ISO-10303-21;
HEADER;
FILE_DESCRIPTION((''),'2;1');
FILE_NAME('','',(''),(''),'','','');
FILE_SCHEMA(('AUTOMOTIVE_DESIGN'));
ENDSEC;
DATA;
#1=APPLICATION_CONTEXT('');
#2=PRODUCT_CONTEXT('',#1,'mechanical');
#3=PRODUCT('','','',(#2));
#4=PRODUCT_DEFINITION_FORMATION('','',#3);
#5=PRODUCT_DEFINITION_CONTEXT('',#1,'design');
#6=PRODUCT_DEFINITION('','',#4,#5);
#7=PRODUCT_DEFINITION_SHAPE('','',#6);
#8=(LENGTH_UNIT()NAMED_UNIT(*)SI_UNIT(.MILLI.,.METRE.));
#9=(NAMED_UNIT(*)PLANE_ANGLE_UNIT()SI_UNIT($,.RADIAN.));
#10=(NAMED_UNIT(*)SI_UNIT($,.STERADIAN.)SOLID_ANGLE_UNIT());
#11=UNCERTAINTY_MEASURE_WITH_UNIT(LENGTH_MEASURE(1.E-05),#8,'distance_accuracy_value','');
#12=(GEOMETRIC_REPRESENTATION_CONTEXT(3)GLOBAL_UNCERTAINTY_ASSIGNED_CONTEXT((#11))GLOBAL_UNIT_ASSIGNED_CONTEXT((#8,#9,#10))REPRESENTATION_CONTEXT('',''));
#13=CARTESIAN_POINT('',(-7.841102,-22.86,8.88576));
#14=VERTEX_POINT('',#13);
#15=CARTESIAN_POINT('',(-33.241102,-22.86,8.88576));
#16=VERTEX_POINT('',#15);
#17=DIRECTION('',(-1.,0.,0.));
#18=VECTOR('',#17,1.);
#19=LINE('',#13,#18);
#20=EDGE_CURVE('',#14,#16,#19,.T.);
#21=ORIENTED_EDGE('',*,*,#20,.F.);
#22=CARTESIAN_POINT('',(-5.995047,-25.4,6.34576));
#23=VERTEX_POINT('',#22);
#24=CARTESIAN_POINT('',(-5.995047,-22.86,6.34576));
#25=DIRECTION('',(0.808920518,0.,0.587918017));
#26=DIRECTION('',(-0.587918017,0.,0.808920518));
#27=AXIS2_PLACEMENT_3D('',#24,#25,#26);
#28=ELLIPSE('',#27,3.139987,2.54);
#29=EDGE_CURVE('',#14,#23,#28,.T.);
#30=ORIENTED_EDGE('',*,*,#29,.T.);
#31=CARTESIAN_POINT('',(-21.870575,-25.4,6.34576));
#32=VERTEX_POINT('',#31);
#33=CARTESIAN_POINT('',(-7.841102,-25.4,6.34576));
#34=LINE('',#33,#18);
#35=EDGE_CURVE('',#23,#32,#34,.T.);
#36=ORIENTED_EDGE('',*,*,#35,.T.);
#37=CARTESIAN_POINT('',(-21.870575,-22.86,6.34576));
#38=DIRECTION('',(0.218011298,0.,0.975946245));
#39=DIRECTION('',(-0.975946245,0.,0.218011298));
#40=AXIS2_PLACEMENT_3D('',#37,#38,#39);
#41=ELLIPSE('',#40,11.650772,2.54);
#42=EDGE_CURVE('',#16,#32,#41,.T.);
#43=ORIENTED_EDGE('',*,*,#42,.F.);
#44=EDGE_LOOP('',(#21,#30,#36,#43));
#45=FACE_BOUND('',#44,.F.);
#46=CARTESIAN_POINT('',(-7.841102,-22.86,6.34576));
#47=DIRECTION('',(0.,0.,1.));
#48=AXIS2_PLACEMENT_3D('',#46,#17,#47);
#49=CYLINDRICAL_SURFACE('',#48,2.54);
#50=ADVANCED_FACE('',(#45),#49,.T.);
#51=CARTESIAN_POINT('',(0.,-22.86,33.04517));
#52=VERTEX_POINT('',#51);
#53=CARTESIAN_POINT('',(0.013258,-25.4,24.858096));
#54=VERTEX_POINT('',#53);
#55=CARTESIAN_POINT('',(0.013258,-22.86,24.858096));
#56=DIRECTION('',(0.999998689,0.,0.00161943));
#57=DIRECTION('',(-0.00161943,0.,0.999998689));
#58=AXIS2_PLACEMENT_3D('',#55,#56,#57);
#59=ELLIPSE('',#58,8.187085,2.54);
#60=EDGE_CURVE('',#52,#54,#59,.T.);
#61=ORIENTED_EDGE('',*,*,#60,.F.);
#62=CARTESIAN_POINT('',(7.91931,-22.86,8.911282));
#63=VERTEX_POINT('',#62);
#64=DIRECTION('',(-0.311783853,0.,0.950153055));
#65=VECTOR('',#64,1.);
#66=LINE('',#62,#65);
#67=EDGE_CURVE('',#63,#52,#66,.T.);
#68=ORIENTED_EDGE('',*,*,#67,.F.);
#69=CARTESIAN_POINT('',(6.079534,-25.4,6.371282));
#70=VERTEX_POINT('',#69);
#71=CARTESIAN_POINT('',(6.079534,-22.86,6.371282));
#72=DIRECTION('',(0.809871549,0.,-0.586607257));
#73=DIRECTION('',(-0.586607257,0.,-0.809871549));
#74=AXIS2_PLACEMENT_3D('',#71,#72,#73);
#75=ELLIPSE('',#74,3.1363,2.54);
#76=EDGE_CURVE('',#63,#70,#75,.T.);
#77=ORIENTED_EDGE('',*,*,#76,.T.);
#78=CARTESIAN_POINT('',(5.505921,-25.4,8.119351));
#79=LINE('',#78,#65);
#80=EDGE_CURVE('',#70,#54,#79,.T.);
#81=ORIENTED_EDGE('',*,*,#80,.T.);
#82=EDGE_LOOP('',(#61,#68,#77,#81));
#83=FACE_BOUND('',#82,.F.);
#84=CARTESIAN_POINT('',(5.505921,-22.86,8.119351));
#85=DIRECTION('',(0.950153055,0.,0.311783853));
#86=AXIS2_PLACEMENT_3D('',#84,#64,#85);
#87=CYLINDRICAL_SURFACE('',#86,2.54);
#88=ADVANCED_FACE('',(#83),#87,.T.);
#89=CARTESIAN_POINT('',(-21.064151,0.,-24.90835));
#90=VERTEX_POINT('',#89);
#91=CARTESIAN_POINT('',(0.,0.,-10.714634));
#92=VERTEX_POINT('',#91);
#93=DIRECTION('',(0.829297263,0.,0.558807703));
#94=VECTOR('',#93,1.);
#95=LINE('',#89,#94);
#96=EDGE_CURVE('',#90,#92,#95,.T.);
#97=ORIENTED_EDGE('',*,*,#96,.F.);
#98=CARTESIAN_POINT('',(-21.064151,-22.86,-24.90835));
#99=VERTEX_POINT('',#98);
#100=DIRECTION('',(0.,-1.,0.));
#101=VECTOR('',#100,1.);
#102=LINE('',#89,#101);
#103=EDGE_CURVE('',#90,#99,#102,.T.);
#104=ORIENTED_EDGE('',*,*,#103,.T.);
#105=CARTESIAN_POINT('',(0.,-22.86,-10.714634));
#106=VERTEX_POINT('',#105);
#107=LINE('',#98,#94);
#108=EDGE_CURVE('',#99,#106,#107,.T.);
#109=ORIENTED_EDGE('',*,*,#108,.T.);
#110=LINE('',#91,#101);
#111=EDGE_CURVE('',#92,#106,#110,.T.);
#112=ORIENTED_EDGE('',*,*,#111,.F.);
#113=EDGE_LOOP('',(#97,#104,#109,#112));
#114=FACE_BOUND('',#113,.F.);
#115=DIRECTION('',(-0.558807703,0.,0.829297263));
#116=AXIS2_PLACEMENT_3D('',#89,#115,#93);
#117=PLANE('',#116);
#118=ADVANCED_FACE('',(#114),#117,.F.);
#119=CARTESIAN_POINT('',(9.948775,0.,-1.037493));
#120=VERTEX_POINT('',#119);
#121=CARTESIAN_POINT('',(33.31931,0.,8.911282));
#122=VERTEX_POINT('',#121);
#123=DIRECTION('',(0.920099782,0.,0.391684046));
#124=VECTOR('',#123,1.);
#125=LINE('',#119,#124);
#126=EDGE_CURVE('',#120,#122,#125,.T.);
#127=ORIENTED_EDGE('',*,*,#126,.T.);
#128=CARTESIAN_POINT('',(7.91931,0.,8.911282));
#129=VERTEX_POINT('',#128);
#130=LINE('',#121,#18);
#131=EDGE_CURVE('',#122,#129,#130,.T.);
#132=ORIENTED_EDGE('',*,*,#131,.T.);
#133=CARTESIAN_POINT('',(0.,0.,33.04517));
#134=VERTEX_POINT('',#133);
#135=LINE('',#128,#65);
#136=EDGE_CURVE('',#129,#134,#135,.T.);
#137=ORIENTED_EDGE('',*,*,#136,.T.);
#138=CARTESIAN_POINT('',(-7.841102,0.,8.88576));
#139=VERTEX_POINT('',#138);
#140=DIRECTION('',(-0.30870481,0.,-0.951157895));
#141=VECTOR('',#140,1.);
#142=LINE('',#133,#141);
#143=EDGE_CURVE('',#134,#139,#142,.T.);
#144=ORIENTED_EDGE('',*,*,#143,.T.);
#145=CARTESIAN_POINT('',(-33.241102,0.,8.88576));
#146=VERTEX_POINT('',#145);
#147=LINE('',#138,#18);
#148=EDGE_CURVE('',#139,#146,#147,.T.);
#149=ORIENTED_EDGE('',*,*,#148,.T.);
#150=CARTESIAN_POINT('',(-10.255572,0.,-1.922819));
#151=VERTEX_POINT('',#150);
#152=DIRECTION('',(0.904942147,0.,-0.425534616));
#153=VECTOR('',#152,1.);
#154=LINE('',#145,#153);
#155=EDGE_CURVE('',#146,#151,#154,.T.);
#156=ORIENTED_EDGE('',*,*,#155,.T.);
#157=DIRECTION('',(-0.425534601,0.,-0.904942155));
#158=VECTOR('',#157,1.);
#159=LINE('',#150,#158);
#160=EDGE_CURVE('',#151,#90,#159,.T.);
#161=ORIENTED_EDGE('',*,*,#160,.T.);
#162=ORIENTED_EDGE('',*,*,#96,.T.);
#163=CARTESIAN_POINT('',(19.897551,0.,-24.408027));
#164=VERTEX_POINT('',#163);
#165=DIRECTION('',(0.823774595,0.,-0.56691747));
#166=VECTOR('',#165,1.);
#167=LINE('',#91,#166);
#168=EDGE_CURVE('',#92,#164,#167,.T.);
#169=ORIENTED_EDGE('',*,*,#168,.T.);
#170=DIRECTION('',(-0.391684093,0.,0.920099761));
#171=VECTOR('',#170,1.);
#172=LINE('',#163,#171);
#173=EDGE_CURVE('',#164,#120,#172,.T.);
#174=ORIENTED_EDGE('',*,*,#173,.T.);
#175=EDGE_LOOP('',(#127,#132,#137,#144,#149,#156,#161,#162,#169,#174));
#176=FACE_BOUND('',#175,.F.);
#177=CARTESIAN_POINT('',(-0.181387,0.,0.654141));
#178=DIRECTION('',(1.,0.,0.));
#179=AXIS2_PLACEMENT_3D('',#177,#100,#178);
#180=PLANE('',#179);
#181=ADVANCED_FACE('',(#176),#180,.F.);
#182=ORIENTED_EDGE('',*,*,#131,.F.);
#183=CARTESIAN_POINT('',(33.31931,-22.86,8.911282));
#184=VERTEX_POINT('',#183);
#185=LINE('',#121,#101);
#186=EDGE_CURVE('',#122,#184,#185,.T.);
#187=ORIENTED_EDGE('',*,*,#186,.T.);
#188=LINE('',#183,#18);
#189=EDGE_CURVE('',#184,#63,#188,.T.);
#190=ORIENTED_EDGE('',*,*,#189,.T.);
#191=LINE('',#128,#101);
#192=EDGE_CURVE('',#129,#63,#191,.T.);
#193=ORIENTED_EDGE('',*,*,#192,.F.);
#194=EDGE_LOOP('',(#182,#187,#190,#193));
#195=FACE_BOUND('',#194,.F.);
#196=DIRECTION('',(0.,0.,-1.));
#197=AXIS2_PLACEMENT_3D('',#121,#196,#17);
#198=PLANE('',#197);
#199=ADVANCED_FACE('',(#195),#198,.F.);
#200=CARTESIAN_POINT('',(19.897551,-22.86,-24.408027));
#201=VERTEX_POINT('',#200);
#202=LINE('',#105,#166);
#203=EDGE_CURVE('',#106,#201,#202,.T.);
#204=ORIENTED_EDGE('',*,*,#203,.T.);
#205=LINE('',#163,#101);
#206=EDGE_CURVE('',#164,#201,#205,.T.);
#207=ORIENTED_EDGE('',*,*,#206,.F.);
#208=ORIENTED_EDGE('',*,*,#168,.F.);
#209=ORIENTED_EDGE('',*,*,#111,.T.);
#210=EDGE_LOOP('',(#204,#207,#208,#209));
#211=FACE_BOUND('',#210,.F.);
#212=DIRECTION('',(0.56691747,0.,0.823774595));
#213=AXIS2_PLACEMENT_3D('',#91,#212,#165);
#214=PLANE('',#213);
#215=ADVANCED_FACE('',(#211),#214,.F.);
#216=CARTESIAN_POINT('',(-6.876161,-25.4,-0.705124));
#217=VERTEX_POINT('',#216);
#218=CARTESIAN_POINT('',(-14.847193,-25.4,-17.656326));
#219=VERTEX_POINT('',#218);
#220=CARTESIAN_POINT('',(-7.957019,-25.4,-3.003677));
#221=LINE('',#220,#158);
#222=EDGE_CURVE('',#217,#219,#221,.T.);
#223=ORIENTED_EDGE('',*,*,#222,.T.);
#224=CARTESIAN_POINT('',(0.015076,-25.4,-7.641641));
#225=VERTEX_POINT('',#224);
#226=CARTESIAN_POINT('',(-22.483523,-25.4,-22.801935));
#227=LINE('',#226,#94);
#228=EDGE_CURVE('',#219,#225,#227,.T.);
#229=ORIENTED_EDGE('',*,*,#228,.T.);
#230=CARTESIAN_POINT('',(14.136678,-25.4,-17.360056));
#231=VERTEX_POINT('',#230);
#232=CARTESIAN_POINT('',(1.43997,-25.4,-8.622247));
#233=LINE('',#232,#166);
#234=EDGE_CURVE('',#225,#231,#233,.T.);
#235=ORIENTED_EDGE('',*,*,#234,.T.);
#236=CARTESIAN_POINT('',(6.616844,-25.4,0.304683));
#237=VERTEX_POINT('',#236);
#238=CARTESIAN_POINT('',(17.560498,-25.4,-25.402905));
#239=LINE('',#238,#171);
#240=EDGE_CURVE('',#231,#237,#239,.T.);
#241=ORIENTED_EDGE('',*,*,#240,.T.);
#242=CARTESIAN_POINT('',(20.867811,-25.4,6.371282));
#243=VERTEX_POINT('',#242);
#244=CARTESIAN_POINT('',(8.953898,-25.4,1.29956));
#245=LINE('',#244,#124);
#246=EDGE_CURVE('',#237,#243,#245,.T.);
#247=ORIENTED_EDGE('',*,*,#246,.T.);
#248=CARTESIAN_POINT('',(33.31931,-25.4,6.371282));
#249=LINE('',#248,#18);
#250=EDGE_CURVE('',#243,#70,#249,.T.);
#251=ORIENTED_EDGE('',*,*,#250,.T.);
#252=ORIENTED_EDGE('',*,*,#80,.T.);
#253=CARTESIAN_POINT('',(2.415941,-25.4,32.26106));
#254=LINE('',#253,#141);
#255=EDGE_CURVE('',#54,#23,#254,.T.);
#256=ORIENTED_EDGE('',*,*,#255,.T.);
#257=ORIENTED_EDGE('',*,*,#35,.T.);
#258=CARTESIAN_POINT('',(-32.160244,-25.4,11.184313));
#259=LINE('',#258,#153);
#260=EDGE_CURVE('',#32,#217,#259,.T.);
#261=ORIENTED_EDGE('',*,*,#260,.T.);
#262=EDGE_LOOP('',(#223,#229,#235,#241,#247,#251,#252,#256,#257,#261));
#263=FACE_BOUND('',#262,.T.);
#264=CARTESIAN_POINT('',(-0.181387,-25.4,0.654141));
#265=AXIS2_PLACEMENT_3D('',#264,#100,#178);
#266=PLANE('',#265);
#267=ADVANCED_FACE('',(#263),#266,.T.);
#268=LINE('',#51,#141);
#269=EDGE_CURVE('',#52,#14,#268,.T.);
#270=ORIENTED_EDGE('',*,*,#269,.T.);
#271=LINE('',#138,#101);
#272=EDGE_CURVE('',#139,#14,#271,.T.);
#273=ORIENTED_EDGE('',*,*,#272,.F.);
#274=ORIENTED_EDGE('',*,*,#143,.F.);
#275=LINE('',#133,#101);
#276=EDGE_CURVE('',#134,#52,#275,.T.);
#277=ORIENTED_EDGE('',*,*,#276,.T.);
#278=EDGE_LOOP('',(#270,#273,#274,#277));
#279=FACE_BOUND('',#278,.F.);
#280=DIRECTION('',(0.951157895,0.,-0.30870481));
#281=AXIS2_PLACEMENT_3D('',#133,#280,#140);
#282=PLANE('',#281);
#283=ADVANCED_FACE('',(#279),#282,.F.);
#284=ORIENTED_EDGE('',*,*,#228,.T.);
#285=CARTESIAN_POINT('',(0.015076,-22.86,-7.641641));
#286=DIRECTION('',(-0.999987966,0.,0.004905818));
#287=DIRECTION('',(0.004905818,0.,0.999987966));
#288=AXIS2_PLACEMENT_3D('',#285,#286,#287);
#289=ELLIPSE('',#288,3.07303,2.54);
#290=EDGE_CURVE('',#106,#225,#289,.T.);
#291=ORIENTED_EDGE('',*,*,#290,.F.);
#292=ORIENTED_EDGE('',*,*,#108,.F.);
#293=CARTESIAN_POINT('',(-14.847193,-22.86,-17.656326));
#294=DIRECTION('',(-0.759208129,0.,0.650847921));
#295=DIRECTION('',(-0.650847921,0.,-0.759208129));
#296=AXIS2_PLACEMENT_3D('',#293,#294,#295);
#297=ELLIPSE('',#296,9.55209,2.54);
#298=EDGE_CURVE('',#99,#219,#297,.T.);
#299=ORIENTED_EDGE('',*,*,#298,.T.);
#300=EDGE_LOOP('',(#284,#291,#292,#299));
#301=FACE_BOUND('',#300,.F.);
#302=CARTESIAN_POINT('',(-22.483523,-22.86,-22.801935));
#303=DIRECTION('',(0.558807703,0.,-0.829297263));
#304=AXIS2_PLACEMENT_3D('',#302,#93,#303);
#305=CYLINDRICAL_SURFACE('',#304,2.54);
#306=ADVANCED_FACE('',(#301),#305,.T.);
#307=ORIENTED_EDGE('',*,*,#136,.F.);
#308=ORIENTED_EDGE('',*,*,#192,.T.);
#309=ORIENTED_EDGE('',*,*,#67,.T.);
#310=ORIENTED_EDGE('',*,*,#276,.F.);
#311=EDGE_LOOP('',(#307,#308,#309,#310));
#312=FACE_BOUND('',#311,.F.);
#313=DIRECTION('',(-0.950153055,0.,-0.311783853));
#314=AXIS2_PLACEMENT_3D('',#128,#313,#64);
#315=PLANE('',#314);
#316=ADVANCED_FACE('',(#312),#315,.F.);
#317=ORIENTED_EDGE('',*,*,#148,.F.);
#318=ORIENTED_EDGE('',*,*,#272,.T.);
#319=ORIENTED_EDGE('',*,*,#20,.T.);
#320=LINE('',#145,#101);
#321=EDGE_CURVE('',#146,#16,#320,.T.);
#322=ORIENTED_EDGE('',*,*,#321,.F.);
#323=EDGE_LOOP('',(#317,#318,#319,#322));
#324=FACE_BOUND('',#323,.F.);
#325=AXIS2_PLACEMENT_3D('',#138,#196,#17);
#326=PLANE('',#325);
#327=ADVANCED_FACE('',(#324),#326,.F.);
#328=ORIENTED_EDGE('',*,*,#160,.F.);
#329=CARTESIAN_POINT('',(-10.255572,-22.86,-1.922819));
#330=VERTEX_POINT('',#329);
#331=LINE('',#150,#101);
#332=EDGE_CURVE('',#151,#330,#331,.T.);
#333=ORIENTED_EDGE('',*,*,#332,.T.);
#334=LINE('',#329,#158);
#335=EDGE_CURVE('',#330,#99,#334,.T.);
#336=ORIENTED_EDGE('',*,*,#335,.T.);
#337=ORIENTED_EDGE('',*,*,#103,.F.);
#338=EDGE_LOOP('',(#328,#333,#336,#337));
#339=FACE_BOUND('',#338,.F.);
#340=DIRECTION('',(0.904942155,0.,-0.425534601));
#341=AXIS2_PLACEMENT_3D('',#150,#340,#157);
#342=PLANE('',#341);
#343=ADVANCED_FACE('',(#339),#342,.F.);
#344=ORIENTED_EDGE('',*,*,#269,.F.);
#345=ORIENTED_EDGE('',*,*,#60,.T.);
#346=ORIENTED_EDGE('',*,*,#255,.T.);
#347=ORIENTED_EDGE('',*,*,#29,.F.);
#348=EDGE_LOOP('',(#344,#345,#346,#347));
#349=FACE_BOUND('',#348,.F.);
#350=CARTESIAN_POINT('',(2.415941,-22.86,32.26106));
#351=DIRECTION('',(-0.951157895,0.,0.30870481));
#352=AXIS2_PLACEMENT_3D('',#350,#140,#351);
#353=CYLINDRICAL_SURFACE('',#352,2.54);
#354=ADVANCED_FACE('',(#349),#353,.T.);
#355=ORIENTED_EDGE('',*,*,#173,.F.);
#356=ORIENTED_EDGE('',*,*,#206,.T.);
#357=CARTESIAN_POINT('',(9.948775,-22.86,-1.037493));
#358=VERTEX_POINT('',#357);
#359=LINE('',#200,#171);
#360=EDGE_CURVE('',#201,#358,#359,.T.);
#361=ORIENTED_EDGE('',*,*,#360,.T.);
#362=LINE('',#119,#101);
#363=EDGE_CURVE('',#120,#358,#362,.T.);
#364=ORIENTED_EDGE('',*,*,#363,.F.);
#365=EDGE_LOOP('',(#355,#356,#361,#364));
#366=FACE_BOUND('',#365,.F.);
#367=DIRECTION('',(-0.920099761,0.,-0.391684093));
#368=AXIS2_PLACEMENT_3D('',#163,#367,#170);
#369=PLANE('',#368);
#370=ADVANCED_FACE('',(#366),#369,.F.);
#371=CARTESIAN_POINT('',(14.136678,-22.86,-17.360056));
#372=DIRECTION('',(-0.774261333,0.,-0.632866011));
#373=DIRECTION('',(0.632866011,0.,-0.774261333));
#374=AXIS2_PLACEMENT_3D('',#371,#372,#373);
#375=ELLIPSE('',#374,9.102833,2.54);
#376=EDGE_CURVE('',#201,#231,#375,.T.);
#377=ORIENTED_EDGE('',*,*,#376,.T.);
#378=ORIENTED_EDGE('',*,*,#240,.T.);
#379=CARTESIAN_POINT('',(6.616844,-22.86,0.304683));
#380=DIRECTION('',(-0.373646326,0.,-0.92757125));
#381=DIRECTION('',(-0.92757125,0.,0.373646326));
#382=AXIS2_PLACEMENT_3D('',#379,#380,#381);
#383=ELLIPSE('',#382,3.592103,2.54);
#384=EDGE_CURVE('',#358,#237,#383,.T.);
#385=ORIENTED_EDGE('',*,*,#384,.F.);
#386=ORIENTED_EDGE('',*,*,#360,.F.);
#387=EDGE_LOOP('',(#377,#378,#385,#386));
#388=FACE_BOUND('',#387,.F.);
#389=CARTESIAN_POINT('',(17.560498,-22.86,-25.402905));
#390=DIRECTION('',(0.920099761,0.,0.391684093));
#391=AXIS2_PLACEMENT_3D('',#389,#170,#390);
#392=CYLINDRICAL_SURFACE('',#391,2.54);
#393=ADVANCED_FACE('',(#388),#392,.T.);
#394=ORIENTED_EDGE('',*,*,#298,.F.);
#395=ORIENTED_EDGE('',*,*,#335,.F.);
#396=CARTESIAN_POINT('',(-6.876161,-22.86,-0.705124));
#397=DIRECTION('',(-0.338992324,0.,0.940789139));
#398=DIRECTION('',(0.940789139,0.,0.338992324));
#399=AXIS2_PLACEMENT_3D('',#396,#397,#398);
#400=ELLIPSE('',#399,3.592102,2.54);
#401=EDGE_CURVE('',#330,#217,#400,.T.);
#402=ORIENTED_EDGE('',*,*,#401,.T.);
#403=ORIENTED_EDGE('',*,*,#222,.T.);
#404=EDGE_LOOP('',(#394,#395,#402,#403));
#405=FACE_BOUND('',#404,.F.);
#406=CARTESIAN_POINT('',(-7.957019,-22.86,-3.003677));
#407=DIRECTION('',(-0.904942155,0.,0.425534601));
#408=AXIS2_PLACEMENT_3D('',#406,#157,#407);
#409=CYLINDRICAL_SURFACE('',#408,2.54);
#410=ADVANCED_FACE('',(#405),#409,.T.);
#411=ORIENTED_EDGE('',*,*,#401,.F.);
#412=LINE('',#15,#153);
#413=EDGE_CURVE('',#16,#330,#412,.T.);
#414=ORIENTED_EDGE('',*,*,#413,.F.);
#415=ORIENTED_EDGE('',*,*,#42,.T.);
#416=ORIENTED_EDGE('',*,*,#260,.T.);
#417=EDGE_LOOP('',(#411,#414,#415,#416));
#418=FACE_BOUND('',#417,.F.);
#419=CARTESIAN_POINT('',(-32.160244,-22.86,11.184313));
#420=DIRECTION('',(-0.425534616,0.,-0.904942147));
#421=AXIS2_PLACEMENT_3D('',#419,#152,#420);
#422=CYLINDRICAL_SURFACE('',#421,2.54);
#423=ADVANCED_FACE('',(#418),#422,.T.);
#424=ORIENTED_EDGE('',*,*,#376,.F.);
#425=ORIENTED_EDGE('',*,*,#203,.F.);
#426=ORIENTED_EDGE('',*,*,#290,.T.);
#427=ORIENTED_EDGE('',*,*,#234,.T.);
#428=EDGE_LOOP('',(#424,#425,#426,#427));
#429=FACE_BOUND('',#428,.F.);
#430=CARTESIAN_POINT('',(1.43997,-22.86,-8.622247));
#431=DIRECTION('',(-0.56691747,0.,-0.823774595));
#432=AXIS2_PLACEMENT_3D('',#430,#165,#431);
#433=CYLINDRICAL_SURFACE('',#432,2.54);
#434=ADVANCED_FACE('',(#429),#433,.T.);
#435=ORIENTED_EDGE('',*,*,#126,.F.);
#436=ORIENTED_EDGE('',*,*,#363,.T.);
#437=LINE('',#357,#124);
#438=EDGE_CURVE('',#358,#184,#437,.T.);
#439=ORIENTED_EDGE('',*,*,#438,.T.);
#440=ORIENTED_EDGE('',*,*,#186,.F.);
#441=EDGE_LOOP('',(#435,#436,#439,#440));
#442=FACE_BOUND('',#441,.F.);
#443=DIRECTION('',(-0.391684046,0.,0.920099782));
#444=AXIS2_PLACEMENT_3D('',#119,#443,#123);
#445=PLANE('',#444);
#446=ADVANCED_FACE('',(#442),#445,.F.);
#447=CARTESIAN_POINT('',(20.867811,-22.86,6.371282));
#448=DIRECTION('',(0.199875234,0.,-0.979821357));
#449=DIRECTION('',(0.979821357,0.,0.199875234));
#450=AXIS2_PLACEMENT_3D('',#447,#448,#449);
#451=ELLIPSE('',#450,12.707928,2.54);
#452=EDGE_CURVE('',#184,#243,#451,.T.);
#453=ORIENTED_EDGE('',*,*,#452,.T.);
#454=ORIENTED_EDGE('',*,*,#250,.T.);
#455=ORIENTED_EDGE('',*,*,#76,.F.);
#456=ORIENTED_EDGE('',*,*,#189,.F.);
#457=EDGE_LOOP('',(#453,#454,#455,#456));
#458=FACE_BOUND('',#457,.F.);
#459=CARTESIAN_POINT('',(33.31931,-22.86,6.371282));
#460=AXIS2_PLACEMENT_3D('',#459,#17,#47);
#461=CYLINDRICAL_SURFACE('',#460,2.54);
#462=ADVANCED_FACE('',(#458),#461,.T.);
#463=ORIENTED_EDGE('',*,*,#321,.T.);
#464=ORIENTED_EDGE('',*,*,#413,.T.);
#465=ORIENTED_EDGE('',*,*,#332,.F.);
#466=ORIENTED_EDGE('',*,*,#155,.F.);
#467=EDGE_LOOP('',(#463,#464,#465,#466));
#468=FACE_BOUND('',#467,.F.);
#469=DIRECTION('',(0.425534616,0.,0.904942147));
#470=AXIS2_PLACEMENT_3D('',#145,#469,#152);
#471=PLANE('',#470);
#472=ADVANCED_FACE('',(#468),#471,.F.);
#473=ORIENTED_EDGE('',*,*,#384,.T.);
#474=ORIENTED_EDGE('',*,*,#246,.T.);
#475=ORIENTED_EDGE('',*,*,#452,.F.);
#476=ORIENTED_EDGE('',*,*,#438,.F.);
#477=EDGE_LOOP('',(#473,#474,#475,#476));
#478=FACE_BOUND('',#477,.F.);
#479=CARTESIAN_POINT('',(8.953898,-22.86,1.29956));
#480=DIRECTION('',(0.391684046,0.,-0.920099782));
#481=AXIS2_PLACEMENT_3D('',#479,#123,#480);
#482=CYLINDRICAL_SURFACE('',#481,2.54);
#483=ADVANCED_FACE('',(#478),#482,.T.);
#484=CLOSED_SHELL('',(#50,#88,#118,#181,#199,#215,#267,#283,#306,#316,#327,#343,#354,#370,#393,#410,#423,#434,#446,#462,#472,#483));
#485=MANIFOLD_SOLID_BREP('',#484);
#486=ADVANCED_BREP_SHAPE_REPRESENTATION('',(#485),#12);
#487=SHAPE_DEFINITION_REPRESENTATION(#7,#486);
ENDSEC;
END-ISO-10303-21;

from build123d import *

# Parameters (mm, degrees)
F1_DEPTH = 25.4
F2_R     = 2.54


with BuildPart() as f1:
    # F0 (on Front) → F1 (new body)
    with BuildSketch(Plane.XZ):
        Polygon((7.91931, 8.911282), (0, 33.04517), (-7.841102, 8.88576), (-33.241102, 8.88576), (-10.255572, -1.922819), (-21.064151, -24.90835), (0, -10.714634), (19.897551, -24.408027), (9.948775, -1.037493), (33.31931, 8.911282), align=None)
    extrude(amount=F1_DEPTH)

    # F2
    f2_edges = [f1.edges().sort_by_distance(p)[0] for p in [
        (-20.541102, -25.4, 8.88576),
        (-21.748337, -25.4, 3.48147),
        (-15.659861, -25.4, -13.415585),
        (-10.532075, -25.4, -17.811492),
        (9.948775, -25.4, -17.561331),
        (14.923163, -25.4, -12.72276),
        (21.634042, -25.4, 3.936895),
        (20.61931, -25.4, 8.911282),
        (3.959655, -25.4, 20.978226),
        (-3.920551, -25.4, 20.965465),
    ]]
    fillet(f2_edges, radius=F2_R)


solid = f1.part
